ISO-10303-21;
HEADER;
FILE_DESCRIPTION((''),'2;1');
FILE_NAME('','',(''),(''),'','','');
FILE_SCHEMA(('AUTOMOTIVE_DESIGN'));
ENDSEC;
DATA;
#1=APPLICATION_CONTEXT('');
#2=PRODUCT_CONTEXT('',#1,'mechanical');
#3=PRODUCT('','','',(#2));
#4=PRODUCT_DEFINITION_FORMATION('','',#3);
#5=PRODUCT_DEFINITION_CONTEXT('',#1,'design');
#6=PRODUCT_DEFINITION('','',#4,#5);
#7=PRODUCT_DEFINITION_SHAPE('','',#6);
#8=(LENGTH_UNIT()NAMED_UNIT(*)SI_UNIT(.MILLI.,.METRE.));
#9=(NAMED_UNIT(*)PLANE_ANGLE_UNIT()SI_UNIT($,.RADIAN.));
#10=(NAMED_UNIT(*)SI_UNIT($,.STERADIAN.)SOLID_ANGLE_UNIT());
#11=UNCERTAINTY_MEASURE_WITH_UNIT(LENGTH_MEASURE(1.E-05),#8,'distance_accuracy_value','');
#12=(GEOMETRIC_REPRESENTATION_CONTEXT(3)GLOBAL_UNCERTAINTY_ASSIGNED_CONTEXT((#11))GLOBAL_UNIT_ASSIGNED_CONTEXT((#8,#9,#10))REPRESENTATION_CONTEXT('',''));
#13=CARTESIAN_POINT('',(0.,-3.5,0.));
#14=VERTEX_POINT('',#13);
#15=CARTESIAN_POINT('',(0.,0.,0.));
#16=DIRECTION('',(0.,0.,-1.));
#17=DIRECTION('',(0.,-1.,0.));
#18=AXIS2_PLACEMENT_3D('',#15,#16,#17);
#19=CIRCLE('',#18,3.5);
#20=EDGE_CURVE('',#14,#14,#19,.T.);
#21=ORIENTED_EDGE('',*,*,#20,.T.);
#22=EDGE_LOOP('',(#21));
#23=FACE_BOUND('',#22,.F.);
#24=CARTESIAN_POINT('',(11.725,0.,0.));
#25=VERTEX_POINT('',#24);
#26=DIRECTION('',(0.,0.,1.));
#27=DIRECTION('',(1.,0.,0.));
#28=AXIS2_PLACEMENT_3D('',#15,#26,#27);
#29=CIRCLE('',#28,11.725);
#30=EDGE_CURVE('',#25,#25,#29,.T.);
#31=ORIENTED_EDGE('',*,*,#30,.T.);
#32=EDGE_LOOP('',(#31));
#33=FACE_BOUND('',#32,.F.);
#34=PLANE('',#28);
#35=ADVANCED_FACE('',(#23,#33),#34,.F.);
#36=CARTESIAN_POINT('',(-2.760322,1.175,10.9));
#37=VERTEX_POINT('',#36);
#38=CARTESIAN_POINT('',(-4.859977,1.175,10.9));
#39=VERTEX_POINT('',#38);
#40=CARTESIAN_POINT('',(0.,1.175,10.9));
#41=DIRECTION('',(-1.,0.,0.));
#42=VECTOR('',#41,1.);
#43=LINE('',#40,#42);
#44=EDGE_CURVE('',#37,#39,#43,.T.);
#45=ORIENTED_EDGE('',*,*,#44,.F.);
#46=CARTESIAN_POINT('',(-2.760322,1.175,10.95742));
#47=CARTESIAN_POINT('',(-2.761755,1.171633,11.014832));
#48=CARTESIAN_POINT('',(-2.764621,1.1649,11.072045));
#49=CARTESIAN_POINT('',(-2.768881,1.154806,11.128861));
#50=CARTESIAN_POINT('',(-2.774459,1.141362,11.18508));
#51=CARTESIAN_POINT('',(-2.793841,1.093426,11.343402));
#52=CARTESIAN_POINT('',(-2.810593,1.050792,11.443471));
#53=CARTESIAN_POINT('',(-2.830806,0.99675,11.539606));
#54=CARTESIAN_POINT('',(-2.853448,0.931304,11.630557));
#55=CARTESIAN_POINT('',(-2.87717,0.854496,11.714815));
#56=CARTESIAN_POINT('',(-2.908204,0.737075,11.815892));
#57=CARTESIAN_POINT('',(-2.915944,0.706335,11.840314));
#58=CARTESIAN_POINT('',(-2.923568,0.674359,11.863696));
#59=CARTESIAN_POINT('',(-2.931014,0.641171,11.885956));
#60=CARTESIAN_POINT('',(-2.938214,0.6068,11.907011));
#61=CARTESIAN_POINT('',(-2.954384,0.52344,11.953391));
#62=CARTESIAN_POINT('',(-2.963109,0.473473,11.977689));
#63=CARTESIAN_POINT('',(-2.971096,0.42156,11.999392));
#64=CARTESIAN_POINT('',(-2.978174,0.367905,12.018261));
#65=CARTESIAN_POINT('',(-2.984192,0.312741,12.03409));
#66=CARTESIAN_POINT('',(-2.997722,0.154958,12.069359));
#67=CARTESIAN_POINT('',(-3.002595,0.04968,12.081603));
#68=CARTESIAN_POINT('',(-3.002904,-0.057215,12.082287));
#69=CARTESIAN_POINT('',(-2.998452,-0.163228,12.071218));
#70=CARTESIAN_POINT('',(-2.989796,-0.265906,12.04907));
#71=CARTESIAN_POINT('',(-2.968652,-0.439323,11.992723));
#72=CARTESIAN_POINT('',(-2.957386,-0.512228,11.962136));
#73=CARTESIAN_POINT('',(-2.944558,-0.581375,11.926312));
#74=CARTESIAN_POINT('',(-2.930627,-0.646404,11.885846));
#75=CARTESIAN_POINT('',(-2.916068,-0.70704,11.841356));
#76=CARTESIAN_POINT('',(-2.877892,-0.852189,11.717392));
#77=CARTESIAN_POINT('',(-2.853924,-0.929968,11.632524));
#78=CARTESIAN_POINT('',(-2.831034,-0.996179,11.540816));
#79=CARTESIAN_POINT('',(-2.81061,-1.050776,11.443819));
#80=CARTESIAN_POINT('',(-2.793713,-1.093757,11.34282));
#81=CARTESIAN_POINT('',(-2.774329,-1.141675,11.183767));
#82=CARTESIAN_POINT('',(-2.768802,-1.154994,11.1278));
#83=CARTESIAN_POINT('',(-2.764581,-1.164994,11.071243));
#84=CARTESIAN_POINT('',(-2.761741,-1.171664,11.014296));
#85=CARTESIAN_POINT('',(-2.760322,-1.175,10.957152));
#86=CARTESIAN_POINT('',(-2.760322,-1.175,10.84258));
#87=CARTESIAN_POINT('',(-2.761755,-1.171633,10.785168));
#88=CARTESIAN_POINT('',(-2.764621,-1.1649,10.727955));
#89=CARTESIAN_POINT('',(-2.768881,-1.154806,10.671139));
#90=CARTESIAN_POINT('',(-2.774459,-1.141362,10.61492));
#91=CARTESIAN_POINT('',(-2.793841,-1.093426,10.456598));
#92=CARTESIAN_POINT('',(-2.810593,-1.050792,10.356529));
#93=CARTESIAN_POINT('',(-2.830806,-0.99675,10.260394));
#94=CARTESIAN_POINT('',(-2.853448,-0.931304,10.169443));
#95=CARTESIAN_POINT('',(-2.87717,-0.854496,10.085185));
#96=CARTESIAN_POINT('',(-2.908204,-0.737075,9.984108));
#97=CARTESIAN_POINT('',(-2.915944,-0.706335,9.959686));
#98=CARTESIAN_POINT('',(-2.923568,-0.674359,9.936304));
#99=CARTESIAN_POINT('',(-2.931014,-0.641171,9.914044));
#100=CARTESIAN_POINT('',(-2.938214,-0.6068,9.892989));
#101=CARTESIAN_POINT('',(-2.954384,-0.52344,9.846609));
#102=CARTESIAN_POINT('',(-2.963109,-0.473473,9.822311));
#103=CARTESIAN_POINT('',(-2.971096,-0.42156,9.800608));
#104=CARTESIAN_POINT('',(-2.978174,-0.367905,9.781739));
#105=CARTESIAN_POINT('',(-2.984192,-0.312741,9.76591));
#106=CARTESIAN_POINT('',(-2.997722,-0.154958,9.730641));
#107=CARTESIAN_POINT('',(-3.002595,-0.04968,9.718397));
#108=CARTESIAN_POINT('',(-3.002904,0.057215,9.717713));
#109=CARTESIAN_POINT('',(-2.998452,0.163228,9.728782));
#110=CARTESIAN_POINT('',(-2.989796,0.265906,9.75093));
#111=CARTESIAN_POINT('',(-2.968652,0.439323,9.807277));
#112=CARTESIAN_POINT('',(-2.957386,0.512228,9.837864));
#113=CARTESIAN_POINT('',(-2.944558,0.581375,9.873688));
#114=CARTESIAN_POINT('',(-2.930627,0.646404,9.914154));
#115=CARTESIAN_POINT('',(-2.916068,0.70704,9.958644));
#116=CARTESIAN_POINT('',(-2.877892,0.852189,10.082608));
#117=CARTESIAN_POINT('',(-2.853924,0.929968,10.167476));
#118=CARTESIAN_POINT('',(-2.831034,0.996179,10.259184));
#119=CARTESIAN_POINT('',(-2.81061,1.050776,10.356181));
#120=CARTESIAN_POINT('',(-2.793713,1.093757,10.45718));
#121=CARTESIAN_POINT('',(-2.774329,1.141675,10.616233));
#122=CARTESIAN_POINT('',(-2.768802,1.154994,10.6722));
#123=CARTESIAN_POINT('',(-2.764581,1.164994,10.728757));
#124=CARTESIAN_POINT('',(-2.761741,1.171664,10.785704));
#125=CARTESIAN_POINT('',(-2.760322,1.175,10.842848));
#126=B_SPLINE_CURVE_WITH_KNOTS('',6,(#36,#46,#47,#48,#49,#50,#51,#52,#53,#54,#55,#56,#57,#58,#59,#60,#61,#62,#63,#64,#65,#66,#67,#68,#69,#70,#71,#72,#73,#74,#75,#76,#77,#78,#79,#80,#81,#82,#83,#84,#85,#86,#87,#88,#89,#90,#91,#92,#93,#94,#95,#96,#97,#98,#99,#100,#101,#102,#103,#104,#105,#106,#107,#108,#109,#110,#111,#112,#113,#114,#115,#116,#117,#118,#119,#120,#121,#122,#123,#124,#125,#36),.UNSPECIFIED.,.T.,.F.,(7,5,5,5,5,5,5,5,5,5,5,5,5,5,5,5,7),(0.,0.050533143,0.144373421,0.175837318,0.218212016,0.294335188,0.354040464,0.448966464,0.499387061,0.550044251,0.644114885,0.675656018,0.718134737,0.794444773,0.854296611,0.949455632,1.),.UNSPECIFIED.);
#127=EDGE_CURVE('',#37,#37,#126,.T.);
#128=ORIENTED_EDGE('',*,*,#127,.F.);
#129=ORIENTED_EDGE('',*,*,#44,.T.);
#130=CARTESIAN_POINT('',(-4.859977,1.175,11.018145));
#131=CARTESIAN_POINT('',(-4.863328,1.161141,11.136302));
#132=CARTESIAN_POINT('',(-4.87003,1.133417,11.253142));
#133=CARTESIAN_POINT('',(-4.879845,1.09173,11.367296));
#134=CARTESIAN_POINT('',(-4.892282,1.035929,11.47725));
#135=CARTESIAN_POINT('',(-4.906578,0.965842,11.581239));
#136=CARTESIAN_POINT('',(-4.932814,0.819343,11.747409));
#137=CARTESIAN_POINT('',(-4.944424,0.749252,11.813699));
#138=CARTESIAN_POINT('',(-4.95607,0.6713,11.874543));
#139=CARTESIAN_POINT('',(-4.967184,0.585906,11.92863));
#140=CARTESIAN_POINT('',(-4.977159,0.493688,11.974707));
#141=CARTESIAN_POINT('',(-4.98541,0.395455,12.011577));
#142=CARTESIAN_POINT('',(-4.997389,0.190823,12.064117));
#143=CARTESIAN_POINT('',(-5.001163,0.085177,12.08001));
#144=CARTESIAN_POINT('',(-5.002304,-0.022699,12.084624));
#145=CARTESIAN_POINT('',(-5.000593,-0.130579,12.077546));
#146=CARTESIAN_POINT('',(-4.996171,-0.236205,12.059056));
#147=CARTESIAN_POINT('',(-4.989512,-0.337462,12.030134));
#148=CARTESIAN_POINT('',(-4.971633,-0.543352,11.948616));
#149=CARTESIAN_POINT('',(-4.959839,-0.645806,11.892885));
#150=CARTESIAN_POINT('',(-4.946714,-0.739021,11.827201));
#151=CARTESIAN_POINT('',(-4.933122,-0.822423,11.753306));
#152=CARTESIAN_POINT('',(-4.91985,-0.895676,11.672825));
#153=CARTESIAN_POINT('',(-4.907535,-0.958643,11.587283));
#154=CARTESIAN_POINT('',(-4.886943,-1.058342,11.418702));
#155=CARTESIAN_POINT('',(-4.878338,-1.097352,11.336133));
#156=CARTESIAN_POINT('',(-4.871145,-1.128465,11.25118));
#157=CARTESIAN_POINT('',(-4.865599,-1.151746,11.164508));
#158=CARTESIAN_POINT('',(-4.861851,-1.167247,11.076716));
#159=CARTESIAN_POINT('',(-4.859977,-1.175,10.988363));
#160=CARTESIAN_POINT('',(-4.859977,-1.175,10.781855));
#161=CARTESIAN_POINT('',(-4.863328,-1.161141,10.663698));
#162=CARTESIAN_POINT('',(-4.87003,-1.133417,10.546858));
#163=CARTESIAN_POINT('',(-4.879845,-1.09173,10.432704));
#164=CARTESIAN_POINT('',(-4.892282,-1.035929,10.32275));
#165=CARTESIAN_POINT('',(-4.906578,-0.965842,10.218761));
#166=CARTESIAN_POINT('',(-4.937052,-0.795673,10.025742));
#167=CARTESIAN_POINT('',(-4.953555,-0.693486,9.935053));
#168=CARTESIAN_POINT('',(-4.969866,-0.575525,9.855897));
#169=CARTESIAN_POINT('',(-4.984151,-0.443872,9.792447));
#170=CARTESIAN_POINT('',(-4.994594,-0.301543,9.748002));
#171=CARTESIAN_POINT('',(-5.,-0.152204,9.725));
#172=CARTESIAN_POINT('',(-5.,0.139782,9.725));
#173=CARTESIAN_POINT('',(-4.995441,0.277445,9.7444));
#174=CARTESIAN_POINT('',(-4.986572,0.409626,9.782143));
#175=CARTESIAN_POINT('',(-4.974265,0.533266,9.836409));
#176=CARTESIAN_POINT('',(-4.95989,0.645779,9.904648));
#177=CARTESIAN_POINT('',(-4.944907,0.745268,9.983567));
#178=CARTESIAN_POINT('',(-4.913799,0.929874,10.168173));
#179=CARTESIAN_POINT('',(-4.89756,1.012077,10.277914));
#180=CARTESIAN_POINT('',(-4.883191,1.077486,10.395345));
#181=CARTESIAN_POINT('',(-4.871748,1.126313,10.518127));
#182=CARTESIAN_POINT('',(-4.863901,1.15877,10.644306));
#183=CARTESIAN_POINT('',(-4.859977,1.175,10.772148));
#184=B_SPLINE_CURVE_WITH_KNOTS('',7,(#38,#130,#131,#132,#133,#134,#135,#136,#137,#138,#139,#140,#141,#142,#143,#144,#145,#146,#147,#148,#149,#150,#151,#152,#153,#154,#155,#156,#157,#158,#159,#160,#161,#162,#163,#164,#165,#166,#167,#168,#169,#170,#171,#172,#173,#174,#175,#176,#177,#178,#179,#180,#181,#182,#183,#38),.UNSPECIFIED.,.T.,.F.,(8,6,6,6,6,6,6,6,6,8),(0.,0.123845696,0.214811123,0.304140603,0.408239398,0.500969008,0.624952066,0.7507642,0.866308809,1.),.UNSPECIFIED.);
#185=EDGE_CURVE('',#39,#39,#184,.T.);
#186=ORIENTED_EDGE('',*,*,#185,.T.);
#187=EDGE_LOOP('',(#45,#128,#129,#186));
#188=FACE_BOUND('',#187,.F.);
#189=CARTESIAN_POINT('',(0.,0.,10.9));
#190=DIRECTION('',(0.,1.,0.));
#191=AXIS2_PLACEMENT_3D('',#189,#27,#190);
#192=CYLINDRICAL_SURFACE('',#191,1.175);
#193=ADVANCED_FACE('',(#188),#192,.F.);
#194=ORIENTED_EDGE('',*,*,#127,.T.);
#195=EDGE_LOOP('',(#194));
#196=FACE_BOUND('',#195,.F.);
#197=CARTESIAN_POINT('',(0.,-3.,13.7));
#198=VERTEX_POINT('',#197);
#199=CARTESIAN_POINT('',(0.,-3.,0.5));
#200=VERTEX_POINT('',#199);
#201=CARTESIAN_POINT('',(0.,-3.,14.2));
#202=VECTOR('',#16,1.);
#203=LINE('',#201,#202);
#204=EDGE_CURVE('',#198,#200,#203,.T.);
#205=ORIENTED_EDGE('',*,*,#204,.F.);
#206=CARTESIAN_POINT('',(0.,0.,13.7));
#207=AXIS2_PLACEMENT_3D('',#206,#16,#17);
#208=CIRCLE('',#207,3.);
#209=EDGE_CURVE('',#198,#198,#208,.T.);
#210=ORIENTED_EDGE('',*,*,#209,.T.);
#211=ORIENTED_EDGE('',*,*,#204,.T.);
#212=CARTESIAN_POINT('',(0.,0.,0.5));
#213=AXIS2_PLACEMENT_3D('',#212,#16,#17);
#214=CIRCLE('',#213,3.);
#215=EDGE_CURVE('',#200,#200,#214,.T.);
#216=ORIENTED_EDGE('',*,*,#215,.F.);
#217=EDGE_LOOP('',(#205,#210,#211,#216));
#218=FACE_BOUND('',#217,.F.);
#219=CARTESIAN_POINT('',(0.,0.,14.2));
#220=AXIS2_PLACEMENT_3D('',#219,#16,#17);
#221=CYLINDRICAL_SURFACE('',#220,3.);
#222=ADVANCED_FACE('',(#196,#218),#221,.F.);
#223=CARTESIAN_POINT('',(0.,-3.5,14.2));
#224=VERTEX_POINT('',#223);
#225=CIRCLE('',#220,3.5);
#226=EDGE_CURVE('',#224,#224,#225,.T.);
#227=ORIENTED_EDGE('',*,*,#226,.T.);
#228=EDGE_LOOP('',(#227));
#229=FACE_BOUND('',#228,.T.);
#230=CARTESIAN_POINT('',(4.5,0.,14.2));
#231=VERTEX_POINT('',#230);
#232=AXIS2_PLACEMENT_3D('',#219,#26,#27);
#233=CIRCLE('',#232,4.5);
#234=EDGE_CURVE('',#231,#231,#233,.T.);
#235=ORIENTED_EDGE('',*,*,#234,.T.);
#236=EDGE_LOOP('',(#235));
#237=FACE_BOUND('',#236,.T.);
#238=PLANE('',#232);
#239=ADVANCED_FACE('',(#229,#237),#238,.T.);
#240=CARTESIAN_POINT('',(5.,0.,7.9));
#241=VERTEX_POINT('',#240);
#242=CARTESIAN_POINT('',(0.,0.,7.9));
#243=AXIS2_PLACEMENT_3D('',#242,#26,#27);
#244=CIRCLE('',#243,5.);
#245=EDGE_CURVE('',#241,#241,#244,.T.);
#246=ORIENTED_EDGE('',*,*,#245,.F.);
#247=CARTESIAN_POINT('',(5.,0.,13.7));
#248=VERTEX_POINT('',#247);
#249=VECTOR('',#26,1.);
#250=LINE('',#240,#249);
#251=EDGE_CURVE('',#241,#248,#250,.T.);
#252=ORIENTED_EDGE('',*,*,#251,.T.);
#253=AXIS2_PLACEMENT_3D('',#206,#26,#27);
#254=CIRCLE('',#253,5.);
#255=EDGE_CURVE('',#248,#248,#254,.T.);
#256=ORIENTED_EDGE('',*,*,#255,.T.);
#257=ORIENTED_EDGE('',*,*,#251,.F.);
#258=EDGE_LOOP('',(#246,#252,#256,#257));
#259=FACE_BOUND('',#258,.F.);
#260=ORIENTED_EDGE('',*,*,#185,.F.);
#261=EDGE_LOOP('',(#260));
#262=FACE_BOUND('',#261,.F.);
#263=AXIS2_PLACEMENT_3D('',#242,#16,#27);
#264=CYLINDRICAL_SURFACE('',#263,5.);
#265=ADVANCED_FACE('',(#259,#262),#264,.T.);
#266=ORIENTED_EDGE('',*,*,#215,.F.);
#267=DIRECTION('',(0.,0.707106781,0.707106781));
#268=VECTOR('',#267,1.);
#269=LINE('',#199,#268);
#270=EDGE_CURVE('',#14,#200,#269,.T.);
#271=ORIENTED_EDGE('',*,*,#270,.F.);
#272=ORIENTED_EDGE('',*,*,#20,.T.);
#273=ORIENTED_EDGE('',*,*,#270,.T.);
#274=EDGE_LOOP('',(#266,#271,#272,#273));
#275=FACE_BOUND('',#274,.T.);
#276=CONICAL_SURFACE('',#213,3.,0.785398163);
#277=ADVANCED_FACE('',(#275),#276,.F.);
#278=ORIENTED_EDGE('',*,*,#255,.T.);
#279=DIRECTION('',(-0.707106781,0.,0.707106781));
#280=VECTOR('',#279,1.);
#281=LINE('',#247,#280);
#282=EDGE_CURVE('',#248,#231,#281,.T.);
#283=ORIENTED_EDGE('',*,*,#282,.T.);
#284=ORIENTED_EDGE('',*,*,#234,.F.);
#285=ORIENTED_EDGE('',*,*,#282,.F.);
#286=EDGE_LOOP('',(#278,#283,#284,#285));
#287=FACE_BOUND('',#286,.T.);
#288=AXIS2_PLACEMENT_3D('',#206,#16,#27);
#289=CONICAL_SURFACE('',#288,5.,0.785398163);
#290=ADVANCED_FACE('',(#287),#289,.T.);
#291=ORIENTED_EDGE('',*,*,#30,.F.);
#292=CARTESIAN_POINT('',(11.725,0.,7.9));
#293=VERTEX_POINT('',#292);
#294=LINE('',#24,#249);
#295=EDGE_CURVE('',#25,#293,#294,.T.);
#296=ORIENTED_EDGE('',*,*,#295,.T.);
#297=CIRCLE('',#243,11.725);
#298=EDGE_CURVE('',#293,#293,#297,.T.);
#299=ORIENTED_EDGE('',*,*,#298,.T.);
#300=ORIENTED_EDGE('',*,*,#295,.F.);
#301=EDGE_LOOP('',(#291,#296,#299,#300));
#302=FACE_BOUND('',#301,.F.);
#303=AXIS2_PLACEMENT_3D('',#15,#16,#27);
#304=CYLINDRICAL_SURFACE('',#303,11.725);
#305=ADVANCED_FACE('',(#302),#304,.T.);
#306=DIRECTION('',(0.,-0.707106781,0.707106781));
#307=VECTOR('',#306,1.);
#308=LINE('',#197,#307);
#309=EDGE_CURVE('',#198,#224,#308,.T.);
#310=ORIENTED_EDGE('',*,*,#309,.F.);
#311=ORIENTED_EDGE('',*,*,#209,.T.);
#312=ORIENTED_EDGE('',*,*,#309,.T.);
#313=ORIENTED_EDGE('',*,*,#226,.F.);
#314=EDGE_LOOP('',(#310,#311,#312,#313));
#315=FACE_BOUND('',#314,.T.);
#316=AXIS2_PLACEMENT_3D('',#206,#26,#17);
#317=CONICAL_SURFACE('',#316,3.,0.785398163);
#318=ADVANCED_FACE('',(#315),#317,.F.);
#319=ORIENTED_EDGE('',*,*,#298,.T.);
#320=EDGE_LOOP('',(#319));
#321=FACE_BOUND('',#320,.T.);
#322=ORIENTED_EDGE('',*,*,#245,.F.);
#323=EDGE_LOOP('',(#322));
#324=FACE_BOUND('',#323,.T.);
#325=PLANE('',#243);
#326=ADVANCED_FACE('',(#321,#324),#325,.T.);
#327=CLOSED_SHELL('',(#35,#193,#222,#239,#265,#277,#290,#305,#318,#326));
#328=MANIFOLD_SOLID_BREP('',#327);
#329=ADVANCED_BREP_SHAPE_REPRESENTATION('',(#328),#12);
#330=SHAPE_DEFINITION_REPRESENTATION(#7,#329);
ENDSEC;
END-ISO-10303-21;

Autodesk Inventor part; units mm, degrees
ref_plane "YZ Plane" through (0, 0, 0) normal (1, 0, 0) x (0, 1, 0)
ref_plane "XZ Plane" through (0, 0, 0) normal (0, 1, 0) x (-1, 0, 0)
ref_plane "XY Plane" through (0, 0, 0) normal (0, 0, 1) x (1, 0, 0)
sketch "草圖1" plane through (0, 0, 0) normal (0, 0, 1) x (1, 0, 0)
  circle A0 centre (0, 0) radius 11.725
  dimension "d0" = 23.45
extrude "擠出1" add sketch "草圖1" along normal blind 7.9
sketch "草圖2" plane through (0, 0, 7.9) normal (0, 0, 1) x (1, 0, 0)
  circle A0 centre (0, 0) radius 5
  dimension "d3" = 10
extrude "擠出2" add sketch "草圖2" along normal blind 6.3
hole "孔1" at (0, 0, 14.2) direction (0, 0, -1) diameter 6 end through all
chamfer "倒角1" distance 0.5 angle 45 3 edges at (0, 3, 14.2) (0, 3, 0) (-5, 0, 14.2)
sketch "草圖3" plane through (0, 0, 0) normal (1, 0, 0) x (0, 1, 0)
  circle A0 centre (0, 10.9) radius 1.175
  line L0 (-4.5, 14.2) -> (4.5, 14.2) projected
  point P0 (0, 0)
  dimension "d18" = 2.35
  dimension "d19" = 3.3
extrude "擠出3" cut sketch "草圖3" against normal through all
properties part number "齒輪"
